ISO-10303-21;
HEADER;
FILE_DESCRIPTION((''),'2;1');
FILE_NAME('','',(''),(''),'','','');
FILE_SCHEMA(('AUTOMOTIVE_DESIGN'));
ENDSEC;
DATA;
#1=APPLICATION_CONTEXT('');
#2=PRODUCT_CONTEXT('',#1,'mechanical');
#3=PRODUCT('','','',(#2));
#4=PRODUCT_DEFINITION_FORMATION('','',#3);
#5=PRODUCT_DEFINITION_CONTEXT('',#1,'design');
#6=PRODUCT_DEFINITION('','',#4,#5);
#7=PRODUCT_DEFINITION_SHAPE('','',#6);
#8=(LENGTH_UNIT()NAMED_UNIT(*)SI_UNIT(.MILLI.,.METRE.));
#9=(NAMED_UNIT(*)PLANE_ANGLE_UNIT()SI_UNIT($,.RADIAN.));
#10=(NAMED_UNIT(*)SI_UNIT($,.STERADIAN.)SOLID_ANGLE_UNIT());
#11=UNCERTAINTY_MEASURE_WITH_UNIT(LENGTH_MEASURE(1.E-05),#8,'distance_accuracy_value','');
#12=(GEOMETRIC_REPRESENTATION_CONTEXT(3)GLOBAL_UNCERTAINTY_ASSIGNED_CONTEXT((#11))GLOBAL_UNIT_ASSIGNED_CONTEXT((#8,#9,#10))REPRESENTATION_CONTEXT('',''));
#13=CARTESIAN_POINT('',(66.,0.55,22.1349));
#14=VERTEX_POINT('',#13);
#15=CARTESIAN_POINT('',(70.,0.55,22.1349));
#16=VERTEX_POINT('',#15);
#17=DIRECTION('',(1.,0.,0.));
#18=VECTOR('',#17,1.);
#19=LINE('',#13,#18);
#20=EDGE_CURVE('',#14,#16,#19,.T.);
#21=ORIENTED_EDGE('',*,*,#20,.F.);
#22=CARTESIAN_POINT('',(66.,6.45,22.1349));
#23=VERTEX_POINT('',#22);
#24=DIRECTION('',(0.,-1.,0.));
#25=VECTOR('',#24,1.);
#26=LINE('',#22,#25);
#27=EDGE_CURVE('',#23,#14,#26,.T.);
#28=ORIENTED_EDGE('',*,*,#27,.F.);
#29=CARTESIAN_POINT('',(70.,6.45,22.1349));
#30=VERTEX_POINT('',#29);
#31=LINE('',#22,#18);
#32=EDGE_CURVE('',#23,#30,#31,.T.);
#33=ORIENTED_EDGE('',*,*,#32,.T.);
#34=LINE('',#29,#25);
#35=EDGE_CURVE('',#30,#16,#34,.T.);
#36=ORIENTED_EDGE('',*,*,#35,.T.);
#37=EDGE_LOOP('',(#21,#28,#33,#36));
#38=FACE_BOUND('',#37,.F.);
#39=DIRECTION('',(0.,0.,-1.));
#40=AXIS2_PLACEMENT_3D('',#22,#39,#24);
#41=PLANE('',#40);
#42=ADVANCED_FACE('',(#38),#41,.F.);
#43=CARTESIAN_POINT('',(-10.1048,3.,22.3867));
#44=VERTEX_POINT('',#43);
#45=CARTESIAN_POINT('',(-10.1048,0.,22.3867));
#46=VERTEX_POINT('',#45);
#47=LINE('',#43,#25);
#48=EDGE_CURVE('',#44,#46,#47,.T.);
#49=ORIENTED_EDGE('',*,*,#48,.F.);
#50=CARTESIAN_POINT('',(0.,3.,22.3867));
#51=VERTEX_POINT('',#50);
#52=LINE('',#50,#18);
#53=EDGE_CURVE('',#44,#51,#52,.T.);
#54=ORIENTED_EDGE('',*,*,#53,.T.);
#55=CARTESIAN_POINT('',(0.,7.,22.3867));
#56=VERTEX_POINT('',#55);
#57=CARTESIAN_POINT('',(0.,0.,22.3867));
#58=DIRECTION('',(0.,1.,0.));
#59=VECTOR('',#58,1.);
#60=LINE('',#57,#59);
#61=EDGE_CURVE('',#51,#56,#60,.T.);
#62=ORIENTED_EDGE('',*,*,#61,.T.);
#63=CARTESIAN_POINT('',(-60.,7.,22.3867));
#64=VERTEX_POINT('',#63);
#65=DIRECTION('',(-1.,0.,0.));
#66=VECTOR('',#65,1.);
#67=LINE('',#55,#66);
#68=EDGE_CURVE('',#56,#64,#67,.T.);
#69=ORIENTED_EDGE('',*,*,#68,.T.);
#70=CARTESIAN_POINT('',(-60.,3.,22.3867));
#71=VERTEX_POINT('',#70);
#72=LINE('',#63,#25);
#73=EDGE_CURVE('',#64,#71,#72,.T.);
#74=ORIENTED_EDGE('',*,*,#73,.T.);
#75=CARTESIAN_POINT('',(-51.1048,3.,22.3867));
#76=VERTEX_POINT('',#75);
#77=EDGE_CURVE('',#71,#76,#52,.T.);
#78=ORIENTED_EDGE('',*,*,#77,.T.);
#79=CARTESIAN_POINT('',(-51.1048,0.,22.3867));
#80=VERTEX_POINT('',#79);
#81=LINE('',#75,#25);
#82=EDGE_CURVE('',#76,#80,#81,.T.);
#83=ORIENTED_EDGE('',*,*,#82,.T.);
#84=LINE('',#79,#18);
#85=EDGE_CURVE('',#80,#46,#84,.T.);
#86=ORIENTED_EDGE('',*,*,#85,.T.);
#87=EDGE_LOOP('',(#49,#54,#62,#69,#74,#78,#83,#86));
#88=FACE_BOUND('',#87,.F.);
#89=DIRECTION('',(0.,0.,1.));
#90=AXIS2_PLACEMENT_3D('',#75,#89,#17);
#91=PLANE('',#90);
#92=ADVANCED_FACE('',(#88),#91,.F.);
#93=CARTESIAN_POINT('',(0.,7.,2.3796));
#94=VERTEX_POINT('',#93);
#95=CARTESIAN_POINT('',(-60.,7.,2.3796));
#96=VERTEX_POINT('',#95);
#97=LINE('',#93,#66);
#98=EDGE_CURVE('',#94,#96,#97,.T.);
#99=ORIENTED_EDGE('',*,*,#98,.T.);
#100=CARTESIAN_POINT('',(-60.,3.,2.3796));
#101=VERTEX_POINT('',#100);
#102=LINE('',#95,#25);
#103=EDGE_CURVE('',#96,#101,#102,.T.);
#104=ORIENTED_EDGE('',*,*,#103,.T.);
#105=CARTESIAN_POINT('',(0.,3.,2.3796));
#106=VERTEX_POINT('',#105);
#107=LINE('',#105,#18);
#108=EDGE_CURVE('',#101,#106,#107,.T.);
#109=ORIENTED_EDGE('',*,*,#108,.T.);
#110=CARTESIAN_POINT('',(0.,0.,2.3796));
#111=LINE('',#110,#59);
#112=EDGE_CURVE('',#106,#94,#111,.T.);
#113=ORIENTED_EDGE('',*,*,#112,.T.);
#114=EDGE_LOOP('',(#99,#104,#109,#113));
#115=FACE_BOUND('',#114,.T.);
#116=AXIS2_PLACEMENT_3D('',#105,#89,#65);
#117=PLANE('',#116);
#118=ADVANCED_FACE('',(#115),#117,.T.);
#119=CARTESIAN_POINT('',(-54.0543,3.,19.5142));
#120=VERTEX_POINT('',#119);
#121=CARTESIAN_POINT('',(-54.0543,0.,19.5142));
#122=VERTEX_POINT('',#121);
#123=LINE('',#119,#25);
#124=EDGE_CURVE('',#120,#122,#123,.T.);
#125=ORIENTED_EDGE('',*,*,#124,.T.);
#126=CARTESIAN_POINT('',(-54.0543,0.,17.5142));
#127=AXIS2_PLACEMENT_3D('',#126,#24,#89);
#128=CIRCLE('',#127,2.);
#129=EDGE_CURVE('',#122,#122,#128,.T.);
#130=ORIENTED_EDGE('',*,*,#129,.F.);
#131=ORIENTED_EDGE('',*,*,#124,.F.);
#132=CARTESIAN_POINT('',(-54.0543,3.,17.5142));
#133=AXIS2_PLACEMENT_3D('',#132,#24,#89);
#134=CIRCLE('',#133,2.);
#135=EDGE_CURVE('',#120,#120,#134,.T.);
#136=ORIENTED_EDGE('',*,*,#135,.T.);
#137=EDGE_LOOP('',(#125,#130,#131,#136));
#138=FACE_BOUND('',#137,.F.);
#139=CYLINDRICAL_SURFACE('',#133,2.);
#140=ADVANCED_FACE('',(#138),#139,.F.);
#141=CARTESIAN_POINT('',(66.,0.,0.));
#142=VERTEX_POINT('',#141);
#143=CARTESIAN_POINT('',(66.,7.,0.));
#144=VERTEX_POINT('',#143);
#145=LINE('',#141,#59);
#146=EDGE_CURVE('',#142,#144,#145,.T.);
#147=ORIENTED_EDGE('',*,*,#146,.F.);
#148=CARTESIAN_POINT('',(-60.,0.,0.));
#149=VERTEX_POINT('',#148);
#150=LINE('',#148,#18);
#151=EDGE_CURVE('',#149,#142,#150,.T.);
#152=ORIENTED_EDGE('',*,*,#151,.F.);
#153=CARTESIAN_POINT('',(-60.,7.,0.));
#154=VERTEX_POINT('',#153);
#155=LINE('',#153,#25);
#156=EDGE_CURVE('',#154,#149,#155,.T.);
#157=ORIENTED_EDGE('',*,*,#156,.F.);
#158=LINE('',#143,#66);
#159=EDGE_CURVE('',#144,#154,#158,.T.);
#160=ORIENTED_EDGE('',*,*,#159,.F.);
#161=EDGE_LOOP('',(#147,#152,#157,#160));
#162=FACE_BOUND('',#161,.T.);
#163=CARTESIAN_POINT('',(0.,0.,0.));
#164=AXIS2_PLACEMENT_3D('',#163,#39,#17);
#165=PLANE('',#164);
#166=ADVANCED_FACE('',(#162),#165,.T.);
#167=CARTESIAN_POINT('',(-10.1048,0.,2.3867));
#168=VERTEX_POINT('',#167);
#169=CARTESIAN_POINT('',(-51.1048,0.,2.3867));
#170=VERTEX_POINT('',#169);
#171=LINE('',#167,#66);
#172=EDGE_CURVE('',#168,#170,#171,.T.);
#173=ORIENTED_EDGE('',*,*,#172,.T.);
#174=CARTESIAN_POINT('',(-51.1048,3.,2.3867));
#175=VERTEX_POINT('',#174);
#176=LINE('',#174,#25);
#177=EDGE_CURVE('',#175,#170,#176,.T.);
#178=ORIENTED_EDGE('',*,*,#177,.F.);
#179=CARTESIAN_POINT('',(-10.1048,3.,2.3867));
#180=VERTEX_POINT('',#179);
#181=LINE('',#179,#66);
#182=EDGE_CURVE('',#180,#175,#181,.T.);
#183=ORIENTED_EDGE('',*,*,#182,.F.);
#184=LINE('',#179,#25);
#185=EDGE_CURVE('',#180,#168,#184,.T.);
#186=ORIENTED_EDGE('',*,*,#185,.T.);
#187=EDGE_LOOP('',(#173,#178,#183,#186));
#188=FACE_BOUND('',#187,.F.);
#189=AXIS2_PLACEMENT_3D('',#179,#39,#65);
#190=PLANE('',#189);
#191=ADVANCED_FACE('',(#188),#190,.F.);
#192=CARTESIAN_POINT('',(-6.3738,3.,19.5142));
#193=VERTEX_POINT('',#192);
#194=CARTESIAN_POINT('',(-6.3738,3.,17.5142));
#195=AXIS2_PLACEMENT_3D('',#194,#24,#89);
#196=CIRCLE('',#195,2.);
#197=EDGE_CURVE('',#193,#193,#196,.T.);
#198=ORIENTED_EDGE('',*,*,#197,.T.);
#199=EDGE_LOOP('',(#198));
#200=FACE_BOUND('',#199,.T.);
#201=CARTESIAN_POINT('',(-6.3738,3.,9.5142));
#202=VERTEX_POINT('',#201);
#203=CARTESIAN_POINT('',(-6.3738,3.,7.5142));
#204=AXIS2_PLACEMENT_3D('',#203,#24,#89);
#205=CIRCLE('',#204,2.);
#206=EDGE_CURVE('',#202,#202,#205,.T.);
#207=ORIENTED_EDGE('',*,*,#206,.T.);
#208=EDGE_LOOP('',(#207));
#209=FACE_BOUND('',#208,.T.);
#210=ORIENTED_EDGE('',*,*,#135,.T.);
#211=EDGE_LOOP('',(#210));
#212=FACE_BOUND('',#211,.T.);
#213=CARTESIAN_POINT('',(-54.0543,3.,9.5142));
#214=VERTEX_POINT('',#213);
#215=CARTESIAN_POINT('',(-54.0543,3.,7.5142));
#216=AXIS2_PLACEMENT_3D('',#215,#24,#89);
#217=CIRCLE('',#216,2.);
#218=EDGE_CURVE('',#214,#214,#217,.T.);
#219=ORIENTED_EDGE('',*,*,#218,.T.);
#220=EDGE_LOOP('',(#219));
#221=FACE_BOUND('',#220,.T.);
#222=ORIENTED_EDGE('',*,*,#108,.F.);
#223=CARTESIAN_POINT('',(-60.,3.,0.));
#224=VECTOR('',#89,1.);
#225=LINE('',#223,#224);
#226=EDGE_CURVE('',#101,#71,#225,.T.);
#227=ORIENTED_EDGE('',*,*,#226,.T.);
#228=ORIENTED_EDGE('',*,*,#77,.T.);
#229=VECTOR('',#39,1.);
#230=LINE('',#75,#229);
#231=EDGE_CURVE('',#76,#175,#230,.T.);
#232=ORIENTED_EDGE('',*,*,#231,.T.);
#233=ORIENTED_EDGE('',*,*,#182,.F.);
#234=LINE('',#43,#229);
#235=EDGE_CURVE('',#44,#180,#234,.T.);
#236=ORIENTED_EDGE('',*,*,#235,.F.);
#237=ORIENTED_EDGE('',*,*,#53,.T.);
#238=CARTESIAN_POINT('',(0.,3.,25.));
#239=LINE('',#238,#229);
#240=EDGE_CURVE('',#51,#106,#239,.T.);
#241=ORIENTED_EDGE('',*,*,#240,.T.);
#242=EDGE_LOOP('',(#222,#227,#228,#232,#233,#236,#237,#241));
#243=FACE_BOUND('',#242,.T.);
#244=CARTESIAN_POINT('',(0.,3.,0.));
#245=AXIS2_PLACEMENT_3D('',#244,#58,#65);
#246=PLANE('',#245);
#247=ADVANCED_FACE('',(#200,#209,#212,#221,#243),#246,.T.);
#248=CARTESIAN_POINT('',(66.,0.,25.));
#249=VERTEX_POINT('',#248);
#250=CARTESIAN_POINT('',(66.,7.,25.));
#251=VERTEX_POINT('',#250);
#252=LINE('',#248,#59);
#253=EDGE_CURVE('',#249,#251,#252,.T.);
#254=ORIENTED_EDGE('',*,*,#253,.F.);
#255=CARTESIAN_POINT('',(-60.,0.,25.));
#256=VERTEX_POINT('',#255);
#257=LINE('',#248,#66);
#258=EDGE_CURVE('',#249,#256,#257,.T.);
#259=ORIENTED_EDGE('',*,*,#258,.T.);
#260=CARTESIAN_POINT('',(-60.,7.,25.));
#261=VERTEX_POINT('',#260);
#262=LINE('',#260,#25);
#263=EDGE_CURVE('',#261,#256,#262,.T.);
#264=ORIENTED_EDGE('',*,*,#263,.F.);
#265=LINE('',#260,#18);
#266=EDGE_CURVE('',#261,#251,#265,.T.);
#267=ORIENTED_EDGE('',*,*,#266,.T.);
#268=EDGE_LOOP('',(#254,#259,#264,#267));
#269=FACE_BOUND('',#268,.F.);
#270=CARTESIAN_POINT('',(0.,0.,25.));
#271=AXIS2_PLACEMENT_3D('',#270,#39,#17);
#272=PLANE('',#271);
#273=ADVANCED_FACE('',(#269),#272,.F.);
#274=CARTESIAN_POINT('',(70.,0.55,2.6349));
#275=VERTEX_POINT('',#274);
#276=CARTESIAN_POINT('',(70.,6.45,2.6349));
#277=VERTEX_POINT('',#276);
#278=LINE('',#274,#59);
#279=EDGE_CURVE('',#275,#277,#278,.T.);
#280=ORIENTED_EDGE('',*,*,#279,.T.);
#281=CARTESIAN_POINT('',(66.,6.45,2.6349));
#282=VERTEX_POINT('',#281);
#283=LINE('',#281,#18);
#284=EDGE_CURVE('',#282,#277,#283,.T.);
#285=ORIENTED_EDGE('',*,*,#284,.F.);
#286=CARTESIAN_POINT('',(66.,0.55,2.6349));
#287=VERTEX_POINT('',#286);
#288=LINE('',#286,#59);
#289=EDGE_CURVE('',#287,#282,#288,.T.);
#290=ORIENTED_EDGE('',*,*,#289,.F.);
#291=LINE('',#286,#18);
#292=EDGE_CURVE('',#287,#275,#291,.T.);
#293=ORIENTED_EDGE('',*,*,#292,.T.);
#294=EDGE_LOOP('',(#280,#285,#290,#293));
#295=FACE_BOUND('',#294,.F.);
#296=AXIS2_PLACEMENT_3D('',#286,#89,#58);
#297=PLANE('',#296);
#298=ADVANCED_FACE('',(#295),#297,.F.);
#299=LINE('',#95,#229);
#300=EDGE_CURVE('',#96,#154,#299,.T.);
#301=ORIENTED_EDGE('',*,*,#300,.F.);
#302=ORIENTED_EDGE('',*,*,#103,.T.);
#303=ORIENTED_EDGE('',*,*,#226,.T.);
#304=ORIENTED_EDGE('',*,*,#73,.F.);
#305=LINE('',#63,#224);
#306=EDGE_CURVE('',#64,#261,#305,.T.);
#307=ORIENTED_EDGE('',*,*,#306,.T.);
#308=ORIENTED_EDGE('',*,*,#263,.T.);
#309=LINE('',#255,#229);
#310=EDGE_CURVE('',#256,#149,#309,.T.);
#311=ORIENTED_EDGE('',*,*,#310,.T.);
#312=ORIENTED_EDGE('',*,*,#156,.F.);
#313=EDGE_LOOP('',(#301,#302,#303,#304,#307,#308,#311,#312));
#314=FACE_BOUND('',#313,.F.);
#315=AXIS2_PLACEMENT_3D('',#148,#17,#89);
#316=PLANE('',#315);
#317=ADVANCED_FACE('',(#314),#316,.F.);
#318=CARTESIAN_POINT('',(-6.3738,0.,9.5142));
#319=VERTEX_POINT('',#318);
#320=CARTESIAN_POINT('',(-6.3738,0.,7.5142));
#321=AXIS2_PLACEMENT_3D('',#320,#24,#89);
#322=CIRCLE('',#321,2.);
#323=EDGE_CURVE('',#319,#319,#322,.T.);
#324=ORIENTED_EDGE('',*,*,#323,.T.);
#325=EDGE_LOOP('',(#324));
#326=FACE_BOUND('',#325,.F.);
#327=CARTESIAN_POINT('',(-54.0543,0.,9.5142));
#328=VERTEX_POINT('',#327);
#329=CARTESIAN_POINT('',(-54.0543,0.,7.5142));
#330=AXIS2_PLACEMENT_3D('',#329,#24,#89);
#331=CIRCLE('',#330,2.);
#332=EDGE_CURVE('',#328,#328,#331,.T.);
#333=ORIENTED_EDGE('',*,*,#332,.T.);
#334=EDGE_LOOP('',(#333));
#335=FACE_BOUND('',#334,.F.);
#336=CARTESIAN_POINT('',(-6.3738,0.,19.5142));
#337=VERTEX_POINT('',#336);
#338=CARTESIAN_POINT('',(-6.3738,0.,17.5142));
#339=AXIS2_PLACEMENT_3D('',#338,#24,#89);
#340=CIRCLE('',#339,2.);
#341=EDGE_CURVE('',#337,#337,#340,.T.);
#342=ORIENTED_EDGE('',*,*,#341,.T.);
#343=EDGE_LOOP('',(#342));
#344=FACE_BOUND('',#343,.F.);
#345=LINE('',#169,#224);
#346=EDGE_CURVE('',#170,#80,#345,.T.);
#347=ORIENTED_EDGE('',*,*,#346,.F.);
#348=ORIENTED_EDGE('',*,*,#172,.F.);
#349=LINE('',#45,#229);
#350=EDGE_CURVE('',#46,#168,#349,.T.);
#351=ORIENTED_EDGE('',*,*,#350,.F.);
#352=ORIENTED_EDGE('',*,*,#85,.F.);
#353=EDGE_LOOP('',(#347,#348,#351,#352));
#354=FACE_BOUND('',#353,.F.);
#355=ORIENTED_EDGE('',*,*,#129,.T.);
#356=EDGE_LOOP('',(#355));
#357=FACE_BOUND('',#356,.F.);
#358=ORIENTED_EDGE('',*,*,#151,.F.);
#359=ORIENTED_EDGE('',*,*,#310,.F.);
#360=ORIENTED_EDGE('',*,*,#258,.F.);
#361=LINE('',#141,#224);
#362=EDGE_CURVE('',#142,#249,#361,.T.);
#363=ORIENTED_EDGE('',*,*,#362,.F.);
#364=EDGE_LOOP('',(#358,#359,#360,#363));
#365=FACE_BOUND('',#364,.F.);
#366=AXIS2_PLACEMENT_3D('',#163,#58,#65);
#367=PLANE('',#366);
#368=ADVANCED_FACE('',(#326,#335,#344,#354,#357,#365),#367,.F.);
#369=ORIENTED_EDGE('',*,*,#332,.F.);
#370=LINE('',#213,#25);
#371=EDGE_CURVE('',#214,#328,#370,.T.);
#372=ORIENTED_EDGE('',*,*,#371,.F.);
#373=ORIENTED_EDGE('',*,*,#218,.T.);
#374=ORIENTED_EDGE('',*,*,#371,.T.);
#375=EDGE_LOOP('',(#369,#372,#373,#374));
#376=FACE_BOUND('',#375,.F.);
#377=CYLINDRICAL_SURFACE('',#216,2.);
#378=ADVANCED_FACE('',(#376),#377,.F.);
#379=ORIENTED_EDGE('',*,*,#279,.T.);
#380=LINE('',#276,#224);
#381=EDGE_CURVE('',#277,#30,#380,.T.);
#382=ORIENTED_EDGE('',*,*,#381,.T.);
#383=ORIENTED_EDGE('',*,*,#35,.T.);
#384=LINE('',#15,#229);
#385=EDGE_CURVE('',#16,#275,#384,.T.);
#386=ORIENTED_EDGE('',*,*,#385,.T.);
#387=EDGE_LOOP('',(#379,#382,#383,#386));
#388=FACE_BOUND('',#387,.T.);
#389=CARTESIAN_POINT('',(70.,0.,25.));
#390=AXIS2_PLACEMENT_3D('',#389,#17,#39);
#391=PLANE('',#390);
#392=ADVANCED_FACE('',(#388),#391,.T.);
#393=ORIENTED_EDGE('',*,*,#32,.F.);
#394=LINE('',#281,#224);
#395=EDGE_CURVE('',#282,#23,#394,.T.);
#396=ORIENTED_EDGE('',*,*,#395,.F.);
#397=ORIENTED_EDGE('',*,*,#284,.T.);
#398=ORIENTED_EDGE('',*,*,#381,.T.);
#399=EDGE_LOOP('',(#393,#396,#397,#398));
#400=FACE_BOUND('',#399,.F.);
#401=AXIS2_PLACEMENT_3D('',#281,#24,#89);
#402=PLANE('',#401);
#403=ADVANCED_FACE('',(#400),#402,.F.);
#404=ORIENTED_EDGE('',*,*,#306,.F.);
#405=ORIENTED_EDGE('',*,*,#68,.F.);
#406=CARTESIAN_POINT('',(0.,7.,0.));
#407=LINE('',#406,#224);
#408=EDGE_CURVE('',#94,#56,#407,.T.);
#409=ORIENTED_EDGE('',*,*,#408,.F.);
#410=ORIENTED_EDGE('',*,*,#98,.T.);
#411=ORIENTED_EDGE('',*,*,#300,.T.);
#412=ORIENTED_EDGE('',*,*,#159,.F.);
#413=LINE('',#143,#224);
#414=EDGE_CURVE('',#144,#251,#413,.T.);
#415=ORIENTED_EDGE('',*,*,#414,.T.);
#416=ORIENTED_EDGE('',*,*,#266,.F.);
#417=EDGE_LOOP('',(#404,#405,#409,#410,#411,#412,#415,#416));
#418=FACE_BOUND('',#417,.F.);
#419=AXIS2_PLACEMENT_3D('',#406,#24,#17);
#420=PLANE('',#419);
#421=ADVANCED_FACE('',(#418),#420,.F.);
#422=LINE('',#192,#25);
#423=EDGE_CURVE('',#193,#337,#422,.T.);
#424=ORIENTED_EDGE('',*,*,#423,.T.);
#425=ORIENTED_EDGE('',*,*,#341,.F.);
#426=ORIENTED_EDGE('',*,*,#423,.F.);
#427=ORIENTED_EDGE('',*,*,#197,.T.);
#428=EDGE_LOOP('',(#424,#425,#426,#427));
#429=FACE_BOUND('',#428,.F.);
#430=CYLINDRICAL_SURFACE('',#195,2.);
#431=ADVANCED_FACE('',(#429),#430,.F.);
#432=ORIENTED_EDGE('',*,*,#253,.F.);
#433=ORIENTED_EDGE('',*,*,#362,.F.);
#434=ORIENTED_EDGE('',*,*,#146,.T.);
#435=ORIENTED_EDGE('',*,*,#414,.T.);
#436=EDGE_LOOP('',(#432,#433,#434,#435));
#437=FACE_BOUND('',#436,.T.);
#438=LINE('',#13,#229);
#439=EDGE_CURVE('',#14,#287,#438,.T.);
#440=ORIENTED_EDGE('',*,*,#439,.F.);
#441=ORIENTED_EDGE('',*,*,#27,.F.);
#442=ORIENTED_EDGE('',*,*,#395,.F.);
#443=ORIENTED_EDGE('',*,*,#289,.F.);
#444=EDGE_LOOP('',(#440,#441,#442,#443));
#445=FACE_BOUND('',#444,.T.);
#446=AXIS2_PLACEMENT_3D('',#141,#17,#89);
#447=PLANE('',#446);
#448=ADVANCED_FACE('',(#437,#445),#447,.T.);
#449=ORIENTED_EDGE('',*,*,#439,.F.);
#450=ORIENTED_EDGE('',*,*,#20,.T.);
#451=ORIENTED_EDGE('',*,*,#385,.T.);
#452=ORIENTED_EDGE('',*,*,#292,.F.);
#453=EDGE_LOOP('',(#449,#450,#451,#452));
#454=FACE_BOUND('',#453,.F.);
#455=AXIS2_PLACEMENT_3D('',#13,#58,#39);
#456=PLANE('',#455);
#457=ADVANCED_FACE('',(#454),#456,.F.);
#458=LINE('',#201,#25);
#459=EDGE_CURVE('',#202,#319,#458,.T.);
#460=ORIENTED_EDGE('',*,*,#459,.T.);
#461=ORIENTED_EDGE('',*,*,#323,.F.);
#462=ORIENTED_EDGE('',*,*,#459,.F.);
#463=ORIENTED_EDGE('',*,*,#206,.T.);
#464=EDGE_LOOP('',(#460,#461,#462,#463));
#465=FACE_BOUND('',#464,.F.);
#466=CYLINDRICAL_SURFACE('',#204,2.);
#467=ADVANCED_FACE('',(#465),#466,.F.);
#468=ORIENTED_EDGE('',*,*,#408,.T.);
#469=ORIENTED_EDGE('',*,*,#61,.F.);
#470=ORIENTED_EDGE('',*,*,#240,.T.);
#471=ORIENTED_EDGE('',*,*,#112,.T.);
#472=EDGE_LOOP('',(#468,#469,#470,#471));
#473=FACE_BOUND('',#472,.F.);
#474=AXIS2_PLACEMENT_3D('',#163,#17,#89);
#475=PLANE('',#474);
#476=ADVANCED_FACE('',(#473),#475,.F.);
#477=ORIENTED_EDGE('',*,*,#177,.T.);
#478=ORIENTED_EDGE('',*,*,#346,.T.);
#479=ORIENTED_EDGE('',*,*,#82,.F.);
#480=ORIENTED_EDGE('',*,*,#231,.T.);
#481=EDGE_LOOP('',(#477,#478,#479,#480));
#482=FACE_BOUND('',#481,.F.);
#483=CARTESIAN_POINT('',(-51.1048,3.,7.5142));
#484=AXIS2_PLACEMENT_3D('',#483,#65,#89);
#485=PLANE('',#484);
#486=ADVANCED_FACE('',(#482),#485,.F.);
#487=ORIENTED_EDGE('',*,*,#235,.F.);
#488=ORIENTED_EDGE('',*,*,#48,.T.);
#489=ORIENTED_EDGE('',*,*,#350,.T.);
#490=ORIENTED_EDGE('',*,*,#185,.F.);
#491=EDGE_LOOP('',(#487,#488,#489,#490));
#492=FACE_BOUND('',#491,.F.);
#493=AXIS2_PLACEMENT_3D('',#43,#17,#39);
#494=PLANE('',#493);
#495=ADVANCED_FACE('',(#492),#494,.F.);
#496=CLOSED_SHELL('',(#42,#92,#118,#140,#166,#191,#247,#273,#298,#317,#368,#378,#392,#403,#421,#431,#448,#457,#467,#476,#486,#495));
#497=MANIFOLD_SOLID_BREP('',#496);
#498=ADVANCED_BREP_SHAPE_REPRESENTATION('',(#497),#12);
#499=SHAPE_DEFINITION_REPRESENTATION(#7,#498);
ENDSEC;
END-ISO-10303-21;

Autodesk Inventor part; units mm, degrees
ref_plane "YZ Plane" through (0, 0, 0) normal (1, 0, 0) x (0, 1, 0)
ref_plane "XZ Plane" through (0, 0, 0) normal (0, 1, 0) x (-1, 0, 0)
ref_plane "XY Plane" through (0, 0, 0) normal (0, 0, 1) x (1, 0, 0)
sketch "Sketch2" plane through (0, 0, 0) normal (0, 1, 0) x (-1, 0, 0)
  line L0 (0, 0) -> (60, 0)
  line L1 (60, 0) -> (60, 25)
  line L2 (60, 25) -> (0, 25)
  line L3 (0, 25) -> (0, 0)
  dimension "d2" = 25
  dimension "d3" = 60
extrude "Extrusion1" add sketch "Sketch2" along normal blind 3
sketch "Sketch4" plane through (0, 3, 0) normal (0, 1, 0) x (1, 0, 0)
  line L0 (-60, 0) -> (-60, -25) construction
  line L1 (-60, -12.5) -> (-56, -12.5) construction
  circle A0 centre (-54.0543, -17.5142) radius 2
  circle A1 centre (-54.0543, -7.5142) radius 2
  line L2 (-60, -25) -> (0, -25) projected
  line L3 (0, 0) -> (-60, 0) projected
  circle A2 centre (-6.3738, -17.5142) radius 2
  circle A3 centre (-6.3738, -7.5142) radius 2
  line L4 (-50, -21) -> (-9.77, -21)
  line L5 (-9.77, -21) -> (-9.77, -4)
  line L6 (-9.77, -4) -> (-50, -4)
  line L7 (-50, -4) -> (-50, -21)
  line L8 (-54.0543, -17.5142) -> (-51.0543, -17.5142)
  line L9 (-54.0543, -7.5142) -> (-51.0543, -7.5142)
  line L10 (-6.3738, -17.5142) -> (-9.3738, -17.5142)
  line L11 (-6.3738, -7.5142) -> (-9.3738, -7.5142)
  dimension "d8" = 4
  dimension "d9" = 4
  dimension "d11" = 40.23
  dimension "d12" = 3
  dimension "d13" = 3
  dimension "d14" = 3
  dimension "d15" = 3
hole "Hole1" at (-54.0543, 3, 17.5142) at (-54.0543, 3, 7.5142) at (-6.3738, 3, 17.5142) at (-6.3738, 3, 7.5142) direction (0, -1, 0) diameter 4 depth 8 tip angle 118
sketch "Sketch8" plane through (0, 3, 0) normal (0, 1, 0) x (1, 0, 0)
  circle A0 centre (-54.0543, -17.5142) radius 2 projected
  line L0 (-54.0543, -17.5142) -> (-51.0543, -17.5142)
  circle A1 centre (-54.0543, -7.5142) radius 2 projected
  line L1 (-54.0543, -7.5142) -> (-51.0543, -7.5142)
  circle A2 centre (-6.3738, -17.5142) radius 2 projected
  line L2 (-6.3738, -17.5142) -> (-9.3738, -17.5142)
  circle A3 centre (-6.3738, -7.5142) radius 2 projected
  line L3 (-6.3738, -7.5142) -> (-9.3738, -7.5142)
  line L4 (-51.1048, -22.3867) -> (-10.1048, -22.3867)
  line L5 (-10.1048, -22.3867) -> (-10.1048, -2.3867)
  line L6 (-10.1048, -2.3867) -> (-51.1048, -2.3867)
  line L7 (-51.1048, -2.3867) -> (-51.1048, -22.3867)
  point P0 (0, 0)
  dimension "d23" = 3
  dimension "d24" = 3
  dimension "d25" = 3
  dimension "d26" = 3
  dimension "d27" = 20
  dimension "d30" = 41
extrude "Extrusion2" cut sketch "Sketch8" against normal blind 3 contours L7 L6 L5 L4
sketch "Sketch10" plane through (0, 3, 0) normal (0, 1, 0) x (1, 0, 0)
  line L0 (0, -25) -> (0, 0) projected
  line L1 (-60, -25) -> (0, -25)
  line L2 (0, -25) -> (0, -22.3867)
  line L3 (0, -22.3867) -> (-60, -22.3867)
  line L4 (-60, -22.3867) -> (-60, -25)
  line L5 (-60, 0) -> (0, 0)
  line L6 (0, 0) -> (0, -2.3796)
  line L7 (0, -2.3796) -> (-60, -2.3796)
  line L8 (-60, -2.3796) -> (-60, 0)
extrude "Extrusion3" add sketch "Sketch10" along normal blind 4 and the other way blind 3
sketch "Sketch11" plane through (0, 0, 0) normal (0, -1, 0) x (1, 0, 0)
  line L0 (0, 0) -> (66, 0)
  line L1 (0, 25) -> (66, 25)
  line L2 (66, 0) -> (66, 25)
  line L3 (0, 0) -> (0, 25)
  line L4 (0, 25) -> (0, 0) projected
  dimension "d39" = 66
extrude "Extrusion4" add sketch "Sketch11" against normal blind 7
sketch "Sketch12" plane through (66, 0, 25) normal (1, 0, 0) x (0, 0, -1)
  line L0 (0, 0) -> (0, 7) construction
  line L1 (0, 0) -> (0, 7) construction
  line L2 (0, 3.5) -> (25, 3.5) construction
  line L3 (25, 0) -> (25, 7) construction
  line L4 (2.6133, 0) -> (22.6133, 0) construction
  line L5 (12.6133, 0) -> (12.6169, 7) construction
  line L6 (22.6204, 7) -> (2.6133, 7) construction
  line L7 (2.8651, 0.55) -> (22.3651, 0.55)
  line L8 (22.3651, 0.55) -> (22.3651, 6.45)
  line L9 (22.3651, 6.45) -> (2.8651, 6.45)
  line L10 (2.8651, 6.45) -> (2.8651, 0.55)
  line L11 (12.6151, 0.55) -> (12.6151, 6.45) construction
  line L12 (2.8651, 3.5) -> (22.3651, 3.5) construction
  point P0 (12.6151, 3.5)
  dimension "d42" = 19.5
  dimension "d43" = 5.9
extrude "Extrusion5" add sketch "Sketch12" along normal blind 4
properties part number "servo_holder"
